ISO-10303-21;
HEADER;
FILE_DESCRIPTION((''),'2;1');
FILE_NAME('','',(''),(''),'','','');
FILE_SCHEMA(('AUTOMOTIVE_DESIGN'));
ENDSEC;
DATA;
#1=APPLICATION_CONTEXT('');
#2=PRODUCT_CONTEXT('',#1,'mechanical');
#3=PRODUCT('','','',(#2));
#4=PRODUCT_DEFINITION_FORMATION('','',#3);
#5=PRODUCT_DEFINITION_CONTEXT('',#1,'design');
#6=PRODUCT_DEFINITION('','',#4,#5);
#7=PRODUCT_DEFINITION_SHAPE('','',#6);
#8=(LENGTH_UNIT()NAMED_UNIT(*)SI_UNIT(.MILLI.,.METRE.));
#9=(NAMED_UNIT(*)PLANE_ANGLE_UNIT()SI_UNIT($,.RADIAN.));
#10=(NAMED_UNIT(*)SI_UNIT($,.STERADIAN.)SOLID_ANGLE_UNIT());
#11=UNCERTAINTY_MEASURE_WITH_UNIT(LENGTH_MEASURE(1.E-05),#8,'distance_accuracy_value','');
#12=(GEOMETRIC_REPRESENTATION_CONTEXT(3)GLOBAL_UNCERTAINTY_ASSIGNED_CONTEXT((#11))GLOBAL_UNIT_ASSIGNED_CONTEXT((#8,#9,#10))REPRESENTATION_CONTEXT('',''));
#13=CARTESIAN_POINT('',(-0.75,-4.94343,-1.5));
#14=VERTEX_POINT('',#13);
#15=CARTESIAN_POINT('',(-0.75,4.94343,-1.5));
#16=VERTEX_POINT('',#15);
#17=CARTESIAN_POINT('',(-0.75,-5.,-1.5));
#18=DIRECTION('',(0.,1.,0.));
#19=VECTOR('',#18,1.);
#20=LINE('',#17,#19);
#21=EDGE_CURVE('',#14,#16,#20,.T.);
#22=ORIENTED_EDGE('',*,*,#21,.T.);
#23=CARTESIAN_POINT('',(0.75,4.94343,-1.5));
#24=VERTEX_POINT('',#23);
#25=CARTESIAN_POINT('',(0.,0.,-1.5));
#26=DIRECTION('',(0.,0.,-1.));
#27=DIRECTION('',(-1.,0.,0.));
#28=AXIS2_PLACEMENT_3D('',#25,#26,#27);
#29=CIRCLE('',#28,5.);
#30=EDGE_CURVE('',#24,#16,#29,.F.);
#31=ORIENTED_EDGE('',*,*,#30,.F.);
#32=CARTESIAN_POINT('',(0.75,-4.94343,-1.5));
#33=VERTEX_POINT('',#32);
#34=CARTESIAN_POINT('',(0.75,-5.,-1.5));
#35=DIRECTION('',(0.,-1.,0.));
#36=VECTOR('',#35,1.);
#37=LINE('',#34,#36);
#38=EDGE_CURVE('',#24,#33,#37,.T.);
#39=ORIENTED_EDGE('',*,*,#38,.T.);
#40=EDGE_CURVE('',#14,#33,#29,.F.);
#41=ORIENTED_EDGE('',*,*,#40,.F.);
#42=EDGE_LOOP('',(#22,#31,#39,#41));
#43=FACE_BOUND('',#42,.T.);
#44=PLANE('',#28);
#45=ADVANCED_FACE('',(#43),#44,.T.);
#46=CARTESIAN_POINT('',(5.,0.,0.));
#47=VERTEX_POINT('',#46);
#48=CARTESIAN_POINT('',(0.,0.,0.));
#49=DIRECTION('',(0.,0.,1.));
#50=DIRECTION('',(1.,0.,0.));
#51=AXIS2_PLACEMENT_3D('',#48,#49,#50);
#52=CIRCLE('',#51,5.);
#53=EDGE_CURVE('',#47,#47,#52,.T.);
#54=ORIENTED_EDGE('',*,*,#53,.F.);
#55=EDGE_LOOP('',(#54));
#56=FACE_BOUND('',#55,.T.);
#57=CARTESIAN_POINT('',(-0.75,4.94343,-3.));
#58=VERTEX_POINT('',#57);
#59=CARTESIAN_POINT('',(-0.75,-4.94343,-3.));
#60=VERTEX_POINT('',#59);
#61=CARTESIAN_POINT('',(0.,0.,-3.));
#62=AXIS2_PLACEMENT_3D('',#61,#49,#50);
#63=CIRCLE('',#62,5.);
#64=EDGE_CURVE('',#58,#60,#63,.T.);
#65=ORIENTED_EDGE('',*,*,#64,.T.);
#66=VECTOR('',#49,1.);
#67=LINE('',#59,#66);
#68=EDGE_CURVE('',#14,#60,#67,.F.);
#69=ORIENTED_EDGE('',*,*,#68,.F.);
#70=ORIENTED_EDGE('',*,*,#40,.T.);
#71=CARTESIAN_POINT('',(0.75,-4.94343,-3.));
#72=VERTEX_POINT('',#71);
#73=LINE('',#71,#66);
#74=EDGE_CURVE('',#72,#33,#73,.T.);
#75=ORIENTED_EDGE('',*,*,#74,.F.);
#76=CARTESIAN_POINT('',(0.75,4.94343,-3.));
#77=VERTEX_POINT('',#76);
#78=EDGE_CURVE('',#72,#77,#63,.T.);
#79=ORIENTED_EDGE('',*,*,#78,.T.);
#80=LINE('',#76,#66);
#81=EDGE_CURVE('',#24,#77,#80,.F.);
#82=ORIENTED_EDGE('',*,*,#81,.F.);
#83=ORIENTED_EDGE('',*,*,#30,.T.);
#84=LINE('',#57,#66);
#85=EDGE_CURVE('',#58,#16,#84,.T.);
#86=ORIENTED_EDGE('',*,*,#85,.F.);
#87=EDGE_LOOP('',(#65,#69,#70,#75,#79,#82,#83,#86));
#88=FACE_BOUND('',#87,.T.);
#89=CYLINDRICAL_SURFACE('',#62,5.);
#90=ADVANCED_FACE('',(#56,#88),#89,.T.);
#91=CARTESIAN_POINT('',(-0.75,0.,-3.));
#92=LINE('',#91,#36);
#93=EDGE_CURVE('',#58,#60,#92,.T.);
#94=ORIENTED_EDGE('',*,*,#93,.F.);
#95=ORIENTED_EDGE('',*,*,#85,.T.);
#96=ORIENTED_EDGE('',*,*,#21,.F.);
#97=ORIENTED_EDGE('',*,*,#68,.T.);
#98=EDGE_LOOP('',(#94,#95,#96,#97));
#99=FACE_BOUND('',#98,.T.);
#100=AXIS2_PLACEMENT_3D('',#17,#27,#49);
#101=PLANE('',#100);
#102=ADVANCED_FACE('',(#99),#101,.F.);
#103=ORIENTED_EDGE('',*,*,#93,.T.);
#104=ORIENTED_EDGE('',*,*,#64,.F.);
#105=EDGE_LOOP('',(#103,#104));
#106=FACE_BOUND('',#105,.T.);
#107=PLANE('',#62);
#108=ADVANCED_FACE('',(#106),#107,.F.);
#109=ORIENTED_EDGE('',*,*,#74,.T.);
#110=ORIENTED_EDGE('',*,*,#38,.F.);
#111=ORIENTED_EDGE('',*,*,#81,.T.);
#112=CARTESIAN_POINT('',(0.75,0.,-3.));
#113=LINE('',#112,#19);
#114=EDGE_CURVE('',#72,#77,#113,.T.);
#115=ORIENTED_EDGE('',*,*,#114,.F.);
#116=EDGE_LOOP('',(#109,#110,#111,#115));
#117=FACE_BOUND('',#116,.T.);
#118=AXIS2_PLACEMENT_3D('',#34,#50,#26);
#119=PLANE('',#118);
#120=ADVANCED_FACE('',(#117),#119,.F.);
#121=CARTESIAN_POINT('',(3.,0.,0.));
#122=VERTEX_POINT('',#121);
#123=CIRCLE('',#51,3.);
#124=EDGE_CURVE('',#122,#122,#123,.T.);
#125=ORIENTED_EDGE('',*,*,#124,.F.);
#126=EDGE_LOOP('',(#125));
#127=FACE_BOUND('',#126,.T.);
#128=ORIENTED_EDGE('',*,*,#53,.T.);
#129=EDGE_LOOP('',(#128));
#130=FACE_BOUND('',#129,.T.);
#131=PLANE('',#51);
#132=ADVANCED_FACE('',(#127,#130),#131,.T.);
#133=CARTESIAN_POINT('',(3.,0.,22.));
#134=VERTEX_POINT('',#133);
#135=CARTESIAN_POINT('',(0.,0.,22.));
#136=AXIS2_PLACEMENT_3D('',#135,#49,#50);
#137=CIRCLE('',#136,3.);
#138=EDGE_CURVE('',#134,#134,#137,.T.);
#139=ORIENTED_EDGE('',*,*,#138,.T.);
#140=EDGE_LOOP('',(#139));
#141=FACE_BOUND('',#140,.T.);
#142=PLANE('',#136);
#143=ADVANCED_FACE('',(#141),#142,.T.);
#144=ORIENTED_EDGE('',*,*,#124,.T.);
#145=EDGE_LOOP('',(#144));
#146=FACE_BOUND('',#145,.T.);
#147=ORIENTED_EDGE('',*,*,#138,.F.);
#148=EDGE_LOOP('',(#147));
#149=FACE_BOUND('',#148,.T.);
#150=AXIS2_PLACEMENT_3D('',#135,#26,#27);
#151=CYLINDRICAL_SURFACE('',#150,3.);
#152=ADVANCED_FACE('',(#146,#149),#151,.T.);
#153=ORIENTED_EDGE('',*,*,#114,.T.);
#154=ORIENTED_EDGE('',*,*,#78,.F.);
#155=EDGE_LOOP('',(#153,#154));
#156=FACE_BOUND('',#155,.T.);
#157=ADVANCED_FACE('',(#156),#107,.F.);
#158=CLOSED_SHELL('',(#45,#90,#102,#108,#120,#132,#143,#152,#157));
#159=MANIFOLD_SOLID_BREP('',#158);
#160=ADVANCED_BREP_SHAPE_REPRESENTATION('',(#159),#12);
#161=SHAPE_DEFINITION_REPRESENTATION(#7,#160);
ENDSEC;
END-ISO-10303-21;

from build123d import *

# Parameters (mm, degrees)
SKETCH_1_R          = 3
EXTRUDE_1_DEPTH     = 22
SKETCH_1_3_R        = 5
EXTRUDE_2_DEPTH     = 3
SKETCH_2_W          = 1.5
SKETCH_2_H          = 10
CUT_EXTRUDE_1_DEPTH = 1.5


with BuildPart() as part:
    # 草图1 → 凸台-拉伸1 (new body)
    with BuildSketch(Plane.XY):
        Circle(SKETCH_1_R)
    extrude(amount=EXTRUDE_1_DEPTH)

    # 草图1<3> → 凸台-拉伸2 (add)
    with BuildSketch(Plane.XY):
        Circle(SKETCH_1_3_R)
    extrude(amount=-EXTRUDE_2_DEPTH)

    # 草图2 → 切除-拉伸1 (cut)
    with BuildSketch(Plane(origin=(0, 0, -3), x_dir=(-1, 0, 0), z_dir=(0, 0, -1))):
        Rectangle(SKETCH_2_W, SKETCH_2_H)
    extrude(amount=-CUT_EXTRUDE_1_DEPTH, mode=Mode.SUBTRACT)


solid = part.part
